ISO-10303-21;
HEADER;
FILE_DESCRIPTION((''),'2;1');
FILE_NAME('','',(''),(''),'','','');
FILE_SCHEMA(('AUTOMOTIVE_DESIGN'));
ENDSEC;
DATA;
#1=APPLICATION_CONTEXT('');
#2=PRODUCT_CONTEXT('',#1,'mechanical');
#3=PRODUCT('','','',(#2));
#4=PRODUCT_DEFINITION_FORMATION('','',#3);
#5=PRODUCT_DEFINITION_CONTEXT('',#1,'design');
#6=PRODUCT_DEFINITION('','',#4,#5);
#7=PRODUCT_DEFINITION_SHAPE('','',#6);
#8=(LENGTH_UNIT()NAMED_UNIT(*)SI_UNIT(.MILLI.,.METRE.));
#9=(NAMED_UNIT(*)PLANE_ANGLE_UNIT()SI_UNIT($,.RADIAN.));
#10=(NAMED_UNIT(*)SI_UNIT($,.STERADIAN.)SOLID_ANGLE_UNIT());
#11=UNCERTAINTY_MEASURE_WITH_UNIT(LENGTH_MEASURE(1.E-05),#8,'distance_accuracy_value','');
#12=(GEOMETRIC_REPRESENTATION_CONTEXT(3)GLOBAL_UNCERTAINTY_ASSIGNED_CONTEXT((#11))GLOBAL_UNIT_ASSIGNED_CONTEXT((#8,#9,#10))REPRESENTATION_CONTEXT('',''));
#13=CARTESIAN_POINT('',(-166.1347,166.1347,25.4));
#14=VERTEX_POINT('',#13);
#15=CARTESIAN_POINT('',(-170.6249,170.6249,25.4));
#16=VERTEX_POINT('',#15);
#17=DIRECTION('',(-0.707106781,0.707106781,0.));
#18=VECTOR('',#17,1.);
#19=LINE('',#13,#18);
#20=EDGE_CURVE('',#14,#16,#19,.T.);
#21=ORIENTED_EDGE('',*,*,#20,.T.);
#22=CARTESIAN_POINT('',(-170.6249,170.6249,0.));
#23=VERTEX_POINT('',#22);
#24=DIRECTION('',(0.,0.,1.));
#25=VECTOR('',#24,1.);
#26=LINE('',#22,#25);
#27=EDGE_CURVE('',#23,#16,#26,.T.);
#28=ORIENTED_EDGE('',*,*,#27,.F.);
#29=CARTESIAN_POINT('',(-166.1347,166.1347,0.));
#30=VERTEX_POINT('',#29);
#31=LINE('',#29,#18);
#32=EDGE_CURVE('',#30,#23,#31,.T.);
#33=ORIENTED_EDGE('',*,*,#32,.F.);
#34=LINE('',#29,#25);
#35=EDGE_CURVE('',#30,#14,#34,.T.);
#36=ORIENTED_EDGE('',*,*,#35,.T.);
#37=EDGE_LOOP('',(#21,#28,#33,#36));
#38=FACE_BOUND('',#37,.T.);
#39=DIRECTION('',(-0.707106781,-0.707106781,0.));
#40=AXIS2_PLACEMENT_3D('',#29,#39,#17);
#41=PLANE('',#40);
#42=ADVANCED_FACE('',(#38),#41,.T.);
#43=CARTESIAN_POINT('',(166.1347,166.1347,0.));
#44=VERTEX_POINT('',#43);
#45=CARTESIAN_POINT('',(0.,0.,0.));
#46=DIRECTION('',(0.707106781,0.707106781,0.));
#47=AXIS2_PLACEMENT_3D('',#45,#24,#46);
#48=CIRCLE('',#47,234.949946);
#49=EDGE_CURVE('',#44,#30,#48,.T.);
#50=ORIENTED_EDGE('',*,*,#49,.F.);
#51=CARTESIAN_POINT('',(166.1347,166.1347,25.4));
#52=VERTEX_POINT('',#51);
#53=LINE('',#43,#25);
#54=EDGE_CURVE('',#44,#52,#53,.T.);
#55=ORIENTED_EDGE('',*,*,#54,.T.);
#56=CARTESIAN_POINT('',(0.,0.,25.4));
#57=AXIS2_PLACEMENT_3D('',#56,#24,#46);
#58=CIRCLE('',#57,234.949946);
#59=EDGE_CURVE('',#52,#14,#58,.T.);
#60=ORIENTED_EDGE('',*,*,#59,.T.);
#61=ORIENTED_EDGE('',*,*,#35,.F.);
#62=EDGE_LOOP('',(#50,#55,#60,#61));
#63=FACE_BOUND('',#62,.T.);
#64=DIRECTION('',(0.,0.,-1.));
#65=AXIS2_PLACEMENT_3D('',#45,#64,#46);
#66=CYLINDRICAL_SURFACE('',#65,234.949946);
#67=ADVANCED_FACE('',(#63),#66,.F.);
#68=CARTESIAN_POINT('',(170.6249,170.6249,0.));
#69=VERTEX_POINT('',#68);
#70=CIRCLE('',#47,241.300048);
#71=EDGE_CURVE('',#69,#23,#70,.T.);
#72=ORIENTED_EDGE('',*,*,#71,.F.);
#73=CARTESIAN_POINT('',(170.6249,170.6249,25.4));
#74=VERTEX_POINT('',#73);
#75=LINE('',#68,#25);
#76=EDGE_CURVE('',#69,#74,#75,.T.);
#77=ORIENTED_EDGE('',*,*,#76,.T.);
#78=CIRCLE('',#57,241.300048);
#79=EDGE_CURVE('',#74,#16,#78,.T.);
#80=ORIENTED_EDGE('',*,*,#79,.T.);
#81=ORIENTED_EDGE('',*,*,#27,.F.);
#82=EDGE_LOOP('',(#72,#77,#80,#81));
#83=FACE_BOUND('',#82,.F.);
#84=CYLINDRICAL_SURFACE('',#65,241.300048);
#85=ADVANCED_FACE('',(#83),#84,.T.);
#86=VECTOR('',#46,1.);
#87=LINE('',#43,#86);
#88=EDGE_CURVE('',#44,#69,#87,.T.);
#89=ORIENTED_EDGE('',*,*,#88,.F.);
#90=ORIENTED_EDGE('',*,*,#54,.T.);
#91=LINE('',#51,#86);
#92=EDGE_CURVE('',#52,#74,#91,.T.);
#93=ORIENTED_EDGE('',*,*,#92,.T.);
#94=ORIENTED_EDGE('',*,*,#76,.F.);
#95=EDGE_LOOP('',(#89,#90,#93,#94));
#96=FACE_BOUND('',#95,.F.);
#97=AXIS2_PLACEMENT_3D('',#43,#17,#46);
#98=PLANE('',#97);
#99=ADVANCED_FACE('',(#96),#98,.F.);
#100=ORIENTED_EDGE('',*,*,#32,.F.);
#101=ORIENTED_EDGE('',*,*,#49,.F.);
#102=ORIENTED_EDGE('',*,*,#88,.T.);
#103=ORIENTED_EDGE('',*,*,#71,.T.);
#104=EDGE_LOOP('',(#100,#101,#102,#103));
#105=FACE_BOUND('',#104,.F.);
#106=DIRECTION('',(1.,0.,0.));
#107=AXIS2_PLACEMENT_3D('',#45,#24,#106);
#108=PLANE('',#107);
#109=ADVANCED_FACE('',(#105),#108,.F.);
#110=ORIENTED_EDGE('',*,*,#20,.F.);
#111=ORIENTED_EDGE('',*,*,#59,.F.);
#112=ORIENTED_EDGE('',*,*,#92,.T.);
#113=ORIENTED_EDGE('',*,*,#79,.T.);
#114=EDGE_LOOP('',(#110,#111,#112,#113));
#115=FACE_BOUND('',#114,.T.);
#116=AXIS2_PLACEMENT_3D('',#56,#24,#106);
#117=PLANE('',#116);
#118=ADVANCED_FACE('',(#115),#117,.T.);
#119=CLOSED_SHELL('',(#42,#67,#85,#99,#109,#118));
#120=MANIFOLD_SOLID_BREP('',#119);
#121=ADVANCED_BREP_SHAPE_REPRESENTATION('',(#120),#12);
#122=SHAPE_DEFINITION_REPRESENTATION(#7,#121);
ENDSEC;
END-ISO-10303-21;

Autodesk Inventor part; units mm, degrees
ref_plane "YZ Plane" through (0, 0, 0) normal (1, 0, 0) x (0, 1, 0)
ref_plane "XZ Plane" through (0, 0, 0) normal (0, 1, 0) x (-1, 0, 0)
ref_plane "XY Plane" through (0, 0, 0) normal (0, 0, 1) x (1, 0, 0)
sketch "Sketch1" plane through (0, 0, 0) normal (0, 0, 1) x (1, 0, 0)
  line L0 (0, 0) -> (234.95, 0) construction
  line L1 (0, 0) -> (234.95, 0) construction
  line L2 (166.1347, 166.1347) -> (161.6446, 161.6446)
  line L3 (-166.1347, 166.1347) -> (-161.6446, 161.6446)
  arc A0 (161.6446, 161.6446) -> (-161.6446, 161.6446) centre (0, 0) ccw
  arc A1 (166.1347, 166.1347) -> (-166.1347, 166.1347) centre (0, 0) ccw
  line L4 (-166.1347, 166.1347) -> (-170.6249, 170.6249)
  line L5 (166.1347, 166.1347) -> (170.6249, 170.6249)
  arc A2 (170.6249, 170.6249) -> (-170.6249, 170.6249) centre (0, 0) ccw
  dimension "d3" = 234.95
  dimension "d6" = 228.6
  dimension "d9" = 6.35
  dimension "d10" = 6.35
  dimension "d11" = 241.3
extrude "Extrusion2" add sketch "Sketch1" along normal blind 25.4 contours A1 L4 A2 L5
properties part number "Cover"
